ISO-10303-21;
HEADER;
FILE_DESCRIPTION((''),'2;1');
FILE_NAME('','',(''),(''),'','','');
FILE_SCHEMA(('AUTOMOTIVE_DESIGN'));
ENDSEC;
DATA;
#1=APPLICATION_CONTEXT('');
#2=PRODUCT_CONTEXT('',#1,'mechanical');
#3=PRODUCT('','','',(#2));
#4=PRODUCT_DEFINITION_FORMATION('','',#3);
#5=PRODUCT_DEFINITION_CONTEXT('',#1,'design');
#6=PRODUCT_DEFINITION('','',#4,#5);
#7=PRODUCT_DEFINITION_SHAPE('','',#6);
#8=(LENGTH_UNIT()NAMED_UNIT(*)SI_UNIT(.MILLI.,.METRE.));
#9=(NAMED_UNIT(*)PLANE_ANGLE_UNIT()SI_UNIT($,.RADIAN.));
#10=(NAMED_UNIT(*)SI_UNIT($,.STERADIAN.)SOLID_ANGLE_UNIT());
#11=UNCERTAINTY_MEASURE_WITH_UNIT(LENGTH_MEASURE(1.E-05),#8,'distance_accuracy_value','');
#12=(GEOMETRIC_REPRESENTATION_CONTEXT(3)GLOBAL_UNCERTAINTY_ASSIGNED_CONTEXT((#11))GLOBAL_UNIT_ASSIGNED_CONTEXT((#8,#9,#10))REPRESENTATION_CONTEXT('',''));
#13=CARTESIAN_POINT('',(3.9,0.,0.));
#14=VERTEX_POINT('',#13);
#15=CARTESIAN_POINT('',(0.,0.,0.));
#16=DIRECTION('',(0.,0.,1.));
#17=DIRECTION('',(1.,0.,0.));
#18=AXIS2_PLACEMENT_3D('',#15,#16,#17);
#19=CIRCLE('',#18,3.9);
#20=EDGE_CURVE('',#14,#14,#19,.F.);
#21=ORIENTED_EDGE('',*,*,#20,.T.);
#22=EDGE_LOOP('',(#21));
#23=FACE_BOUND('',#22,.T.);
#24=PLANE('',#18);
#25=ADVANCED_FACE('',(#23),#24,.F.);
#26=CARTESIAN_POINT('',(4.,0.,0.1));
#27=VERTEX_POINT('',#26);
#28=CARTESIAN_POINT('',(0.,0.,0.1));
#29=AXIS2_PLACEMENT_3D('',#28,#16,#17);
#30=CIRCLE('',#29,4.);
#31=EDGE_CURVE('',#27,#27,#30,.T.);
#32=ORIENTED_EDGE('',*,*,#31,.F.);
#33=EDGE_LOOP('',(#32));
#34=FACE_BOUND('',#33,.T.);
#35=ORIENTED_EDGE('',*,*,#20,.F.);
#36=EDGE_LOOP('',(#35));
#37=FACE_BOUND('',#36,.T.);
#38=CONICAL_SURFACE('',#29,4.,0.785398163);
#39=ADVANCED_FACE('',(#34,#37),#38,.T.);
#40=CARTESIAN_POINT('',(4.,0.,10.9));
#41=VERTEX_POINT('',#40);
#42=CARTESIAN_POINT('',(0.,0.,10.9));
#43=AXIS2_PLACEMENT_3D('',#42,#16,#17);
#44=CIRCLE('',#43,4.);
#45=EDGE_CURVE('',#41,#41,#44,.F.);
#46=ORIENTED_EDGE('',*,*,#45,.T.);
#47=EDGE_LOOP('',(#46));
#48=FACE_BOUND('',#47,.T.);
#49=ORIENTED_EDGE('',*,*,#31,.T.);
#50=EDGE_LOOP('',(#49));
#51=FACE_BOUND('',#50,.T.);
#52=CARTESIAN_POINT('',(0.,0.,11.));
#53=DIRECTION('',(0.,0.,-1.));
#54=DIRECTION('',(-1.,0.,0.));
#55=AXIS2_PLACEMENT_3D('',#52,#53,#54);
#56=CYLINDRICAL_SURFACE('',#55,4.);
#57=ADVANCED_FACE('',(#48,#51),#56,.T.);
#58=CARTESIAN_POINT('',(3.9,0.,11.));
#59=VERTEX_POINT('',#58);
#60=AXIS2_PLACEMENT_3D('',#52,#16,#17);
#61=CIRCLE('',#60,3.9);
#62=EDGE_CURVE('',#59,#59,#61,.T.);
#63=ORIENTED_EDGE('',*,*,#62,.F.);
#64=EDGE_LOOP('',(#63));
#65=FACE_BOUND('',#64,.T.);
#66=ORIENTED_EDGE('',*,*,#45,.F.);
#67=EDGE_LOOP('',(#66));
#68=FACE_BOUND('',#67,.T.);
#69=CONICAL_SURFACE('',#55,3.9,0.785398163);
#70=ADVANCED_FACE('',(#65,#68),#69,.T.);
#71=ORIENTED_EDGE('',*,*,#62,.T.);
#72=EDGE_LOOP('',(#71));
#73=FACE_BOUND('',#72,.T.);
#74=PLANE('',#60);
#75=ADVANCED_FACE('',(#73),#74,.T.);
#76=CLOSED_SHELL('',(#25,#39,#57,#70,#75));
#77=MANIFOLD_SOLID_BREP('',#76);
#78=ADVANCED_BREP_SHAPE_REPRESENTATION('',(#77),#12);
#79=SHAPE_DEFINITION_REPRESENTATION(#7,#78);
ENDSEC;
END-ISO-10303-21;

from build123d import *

# Parameters (mm, degrees)
IZIM1_R                     = 4
Y_KSEKLIK_EKSTR_ZYON1_DEPTH = 11
PAH1_SIZE                   = 0.1


with BuildPart() as part:
    # Çizim1 → Yükseklik-Ekstrüzyon1 (new body)
    with BuildSketch(Plane.XY):
        Circle(IZIM1_R)
    extrude(amount=Y_KSEKLIK_EKSTR_ZYON1_DEPTH)

    # Pah1
    pah1_edges = [part.edges().sort_by_distance(p)[0] for p in [
        (-4, 0, 0),
        (-4, 0, 11),
    ]]
    chamfer(pah1_edges, length=PAH1_SIZE)


solid = part.part
